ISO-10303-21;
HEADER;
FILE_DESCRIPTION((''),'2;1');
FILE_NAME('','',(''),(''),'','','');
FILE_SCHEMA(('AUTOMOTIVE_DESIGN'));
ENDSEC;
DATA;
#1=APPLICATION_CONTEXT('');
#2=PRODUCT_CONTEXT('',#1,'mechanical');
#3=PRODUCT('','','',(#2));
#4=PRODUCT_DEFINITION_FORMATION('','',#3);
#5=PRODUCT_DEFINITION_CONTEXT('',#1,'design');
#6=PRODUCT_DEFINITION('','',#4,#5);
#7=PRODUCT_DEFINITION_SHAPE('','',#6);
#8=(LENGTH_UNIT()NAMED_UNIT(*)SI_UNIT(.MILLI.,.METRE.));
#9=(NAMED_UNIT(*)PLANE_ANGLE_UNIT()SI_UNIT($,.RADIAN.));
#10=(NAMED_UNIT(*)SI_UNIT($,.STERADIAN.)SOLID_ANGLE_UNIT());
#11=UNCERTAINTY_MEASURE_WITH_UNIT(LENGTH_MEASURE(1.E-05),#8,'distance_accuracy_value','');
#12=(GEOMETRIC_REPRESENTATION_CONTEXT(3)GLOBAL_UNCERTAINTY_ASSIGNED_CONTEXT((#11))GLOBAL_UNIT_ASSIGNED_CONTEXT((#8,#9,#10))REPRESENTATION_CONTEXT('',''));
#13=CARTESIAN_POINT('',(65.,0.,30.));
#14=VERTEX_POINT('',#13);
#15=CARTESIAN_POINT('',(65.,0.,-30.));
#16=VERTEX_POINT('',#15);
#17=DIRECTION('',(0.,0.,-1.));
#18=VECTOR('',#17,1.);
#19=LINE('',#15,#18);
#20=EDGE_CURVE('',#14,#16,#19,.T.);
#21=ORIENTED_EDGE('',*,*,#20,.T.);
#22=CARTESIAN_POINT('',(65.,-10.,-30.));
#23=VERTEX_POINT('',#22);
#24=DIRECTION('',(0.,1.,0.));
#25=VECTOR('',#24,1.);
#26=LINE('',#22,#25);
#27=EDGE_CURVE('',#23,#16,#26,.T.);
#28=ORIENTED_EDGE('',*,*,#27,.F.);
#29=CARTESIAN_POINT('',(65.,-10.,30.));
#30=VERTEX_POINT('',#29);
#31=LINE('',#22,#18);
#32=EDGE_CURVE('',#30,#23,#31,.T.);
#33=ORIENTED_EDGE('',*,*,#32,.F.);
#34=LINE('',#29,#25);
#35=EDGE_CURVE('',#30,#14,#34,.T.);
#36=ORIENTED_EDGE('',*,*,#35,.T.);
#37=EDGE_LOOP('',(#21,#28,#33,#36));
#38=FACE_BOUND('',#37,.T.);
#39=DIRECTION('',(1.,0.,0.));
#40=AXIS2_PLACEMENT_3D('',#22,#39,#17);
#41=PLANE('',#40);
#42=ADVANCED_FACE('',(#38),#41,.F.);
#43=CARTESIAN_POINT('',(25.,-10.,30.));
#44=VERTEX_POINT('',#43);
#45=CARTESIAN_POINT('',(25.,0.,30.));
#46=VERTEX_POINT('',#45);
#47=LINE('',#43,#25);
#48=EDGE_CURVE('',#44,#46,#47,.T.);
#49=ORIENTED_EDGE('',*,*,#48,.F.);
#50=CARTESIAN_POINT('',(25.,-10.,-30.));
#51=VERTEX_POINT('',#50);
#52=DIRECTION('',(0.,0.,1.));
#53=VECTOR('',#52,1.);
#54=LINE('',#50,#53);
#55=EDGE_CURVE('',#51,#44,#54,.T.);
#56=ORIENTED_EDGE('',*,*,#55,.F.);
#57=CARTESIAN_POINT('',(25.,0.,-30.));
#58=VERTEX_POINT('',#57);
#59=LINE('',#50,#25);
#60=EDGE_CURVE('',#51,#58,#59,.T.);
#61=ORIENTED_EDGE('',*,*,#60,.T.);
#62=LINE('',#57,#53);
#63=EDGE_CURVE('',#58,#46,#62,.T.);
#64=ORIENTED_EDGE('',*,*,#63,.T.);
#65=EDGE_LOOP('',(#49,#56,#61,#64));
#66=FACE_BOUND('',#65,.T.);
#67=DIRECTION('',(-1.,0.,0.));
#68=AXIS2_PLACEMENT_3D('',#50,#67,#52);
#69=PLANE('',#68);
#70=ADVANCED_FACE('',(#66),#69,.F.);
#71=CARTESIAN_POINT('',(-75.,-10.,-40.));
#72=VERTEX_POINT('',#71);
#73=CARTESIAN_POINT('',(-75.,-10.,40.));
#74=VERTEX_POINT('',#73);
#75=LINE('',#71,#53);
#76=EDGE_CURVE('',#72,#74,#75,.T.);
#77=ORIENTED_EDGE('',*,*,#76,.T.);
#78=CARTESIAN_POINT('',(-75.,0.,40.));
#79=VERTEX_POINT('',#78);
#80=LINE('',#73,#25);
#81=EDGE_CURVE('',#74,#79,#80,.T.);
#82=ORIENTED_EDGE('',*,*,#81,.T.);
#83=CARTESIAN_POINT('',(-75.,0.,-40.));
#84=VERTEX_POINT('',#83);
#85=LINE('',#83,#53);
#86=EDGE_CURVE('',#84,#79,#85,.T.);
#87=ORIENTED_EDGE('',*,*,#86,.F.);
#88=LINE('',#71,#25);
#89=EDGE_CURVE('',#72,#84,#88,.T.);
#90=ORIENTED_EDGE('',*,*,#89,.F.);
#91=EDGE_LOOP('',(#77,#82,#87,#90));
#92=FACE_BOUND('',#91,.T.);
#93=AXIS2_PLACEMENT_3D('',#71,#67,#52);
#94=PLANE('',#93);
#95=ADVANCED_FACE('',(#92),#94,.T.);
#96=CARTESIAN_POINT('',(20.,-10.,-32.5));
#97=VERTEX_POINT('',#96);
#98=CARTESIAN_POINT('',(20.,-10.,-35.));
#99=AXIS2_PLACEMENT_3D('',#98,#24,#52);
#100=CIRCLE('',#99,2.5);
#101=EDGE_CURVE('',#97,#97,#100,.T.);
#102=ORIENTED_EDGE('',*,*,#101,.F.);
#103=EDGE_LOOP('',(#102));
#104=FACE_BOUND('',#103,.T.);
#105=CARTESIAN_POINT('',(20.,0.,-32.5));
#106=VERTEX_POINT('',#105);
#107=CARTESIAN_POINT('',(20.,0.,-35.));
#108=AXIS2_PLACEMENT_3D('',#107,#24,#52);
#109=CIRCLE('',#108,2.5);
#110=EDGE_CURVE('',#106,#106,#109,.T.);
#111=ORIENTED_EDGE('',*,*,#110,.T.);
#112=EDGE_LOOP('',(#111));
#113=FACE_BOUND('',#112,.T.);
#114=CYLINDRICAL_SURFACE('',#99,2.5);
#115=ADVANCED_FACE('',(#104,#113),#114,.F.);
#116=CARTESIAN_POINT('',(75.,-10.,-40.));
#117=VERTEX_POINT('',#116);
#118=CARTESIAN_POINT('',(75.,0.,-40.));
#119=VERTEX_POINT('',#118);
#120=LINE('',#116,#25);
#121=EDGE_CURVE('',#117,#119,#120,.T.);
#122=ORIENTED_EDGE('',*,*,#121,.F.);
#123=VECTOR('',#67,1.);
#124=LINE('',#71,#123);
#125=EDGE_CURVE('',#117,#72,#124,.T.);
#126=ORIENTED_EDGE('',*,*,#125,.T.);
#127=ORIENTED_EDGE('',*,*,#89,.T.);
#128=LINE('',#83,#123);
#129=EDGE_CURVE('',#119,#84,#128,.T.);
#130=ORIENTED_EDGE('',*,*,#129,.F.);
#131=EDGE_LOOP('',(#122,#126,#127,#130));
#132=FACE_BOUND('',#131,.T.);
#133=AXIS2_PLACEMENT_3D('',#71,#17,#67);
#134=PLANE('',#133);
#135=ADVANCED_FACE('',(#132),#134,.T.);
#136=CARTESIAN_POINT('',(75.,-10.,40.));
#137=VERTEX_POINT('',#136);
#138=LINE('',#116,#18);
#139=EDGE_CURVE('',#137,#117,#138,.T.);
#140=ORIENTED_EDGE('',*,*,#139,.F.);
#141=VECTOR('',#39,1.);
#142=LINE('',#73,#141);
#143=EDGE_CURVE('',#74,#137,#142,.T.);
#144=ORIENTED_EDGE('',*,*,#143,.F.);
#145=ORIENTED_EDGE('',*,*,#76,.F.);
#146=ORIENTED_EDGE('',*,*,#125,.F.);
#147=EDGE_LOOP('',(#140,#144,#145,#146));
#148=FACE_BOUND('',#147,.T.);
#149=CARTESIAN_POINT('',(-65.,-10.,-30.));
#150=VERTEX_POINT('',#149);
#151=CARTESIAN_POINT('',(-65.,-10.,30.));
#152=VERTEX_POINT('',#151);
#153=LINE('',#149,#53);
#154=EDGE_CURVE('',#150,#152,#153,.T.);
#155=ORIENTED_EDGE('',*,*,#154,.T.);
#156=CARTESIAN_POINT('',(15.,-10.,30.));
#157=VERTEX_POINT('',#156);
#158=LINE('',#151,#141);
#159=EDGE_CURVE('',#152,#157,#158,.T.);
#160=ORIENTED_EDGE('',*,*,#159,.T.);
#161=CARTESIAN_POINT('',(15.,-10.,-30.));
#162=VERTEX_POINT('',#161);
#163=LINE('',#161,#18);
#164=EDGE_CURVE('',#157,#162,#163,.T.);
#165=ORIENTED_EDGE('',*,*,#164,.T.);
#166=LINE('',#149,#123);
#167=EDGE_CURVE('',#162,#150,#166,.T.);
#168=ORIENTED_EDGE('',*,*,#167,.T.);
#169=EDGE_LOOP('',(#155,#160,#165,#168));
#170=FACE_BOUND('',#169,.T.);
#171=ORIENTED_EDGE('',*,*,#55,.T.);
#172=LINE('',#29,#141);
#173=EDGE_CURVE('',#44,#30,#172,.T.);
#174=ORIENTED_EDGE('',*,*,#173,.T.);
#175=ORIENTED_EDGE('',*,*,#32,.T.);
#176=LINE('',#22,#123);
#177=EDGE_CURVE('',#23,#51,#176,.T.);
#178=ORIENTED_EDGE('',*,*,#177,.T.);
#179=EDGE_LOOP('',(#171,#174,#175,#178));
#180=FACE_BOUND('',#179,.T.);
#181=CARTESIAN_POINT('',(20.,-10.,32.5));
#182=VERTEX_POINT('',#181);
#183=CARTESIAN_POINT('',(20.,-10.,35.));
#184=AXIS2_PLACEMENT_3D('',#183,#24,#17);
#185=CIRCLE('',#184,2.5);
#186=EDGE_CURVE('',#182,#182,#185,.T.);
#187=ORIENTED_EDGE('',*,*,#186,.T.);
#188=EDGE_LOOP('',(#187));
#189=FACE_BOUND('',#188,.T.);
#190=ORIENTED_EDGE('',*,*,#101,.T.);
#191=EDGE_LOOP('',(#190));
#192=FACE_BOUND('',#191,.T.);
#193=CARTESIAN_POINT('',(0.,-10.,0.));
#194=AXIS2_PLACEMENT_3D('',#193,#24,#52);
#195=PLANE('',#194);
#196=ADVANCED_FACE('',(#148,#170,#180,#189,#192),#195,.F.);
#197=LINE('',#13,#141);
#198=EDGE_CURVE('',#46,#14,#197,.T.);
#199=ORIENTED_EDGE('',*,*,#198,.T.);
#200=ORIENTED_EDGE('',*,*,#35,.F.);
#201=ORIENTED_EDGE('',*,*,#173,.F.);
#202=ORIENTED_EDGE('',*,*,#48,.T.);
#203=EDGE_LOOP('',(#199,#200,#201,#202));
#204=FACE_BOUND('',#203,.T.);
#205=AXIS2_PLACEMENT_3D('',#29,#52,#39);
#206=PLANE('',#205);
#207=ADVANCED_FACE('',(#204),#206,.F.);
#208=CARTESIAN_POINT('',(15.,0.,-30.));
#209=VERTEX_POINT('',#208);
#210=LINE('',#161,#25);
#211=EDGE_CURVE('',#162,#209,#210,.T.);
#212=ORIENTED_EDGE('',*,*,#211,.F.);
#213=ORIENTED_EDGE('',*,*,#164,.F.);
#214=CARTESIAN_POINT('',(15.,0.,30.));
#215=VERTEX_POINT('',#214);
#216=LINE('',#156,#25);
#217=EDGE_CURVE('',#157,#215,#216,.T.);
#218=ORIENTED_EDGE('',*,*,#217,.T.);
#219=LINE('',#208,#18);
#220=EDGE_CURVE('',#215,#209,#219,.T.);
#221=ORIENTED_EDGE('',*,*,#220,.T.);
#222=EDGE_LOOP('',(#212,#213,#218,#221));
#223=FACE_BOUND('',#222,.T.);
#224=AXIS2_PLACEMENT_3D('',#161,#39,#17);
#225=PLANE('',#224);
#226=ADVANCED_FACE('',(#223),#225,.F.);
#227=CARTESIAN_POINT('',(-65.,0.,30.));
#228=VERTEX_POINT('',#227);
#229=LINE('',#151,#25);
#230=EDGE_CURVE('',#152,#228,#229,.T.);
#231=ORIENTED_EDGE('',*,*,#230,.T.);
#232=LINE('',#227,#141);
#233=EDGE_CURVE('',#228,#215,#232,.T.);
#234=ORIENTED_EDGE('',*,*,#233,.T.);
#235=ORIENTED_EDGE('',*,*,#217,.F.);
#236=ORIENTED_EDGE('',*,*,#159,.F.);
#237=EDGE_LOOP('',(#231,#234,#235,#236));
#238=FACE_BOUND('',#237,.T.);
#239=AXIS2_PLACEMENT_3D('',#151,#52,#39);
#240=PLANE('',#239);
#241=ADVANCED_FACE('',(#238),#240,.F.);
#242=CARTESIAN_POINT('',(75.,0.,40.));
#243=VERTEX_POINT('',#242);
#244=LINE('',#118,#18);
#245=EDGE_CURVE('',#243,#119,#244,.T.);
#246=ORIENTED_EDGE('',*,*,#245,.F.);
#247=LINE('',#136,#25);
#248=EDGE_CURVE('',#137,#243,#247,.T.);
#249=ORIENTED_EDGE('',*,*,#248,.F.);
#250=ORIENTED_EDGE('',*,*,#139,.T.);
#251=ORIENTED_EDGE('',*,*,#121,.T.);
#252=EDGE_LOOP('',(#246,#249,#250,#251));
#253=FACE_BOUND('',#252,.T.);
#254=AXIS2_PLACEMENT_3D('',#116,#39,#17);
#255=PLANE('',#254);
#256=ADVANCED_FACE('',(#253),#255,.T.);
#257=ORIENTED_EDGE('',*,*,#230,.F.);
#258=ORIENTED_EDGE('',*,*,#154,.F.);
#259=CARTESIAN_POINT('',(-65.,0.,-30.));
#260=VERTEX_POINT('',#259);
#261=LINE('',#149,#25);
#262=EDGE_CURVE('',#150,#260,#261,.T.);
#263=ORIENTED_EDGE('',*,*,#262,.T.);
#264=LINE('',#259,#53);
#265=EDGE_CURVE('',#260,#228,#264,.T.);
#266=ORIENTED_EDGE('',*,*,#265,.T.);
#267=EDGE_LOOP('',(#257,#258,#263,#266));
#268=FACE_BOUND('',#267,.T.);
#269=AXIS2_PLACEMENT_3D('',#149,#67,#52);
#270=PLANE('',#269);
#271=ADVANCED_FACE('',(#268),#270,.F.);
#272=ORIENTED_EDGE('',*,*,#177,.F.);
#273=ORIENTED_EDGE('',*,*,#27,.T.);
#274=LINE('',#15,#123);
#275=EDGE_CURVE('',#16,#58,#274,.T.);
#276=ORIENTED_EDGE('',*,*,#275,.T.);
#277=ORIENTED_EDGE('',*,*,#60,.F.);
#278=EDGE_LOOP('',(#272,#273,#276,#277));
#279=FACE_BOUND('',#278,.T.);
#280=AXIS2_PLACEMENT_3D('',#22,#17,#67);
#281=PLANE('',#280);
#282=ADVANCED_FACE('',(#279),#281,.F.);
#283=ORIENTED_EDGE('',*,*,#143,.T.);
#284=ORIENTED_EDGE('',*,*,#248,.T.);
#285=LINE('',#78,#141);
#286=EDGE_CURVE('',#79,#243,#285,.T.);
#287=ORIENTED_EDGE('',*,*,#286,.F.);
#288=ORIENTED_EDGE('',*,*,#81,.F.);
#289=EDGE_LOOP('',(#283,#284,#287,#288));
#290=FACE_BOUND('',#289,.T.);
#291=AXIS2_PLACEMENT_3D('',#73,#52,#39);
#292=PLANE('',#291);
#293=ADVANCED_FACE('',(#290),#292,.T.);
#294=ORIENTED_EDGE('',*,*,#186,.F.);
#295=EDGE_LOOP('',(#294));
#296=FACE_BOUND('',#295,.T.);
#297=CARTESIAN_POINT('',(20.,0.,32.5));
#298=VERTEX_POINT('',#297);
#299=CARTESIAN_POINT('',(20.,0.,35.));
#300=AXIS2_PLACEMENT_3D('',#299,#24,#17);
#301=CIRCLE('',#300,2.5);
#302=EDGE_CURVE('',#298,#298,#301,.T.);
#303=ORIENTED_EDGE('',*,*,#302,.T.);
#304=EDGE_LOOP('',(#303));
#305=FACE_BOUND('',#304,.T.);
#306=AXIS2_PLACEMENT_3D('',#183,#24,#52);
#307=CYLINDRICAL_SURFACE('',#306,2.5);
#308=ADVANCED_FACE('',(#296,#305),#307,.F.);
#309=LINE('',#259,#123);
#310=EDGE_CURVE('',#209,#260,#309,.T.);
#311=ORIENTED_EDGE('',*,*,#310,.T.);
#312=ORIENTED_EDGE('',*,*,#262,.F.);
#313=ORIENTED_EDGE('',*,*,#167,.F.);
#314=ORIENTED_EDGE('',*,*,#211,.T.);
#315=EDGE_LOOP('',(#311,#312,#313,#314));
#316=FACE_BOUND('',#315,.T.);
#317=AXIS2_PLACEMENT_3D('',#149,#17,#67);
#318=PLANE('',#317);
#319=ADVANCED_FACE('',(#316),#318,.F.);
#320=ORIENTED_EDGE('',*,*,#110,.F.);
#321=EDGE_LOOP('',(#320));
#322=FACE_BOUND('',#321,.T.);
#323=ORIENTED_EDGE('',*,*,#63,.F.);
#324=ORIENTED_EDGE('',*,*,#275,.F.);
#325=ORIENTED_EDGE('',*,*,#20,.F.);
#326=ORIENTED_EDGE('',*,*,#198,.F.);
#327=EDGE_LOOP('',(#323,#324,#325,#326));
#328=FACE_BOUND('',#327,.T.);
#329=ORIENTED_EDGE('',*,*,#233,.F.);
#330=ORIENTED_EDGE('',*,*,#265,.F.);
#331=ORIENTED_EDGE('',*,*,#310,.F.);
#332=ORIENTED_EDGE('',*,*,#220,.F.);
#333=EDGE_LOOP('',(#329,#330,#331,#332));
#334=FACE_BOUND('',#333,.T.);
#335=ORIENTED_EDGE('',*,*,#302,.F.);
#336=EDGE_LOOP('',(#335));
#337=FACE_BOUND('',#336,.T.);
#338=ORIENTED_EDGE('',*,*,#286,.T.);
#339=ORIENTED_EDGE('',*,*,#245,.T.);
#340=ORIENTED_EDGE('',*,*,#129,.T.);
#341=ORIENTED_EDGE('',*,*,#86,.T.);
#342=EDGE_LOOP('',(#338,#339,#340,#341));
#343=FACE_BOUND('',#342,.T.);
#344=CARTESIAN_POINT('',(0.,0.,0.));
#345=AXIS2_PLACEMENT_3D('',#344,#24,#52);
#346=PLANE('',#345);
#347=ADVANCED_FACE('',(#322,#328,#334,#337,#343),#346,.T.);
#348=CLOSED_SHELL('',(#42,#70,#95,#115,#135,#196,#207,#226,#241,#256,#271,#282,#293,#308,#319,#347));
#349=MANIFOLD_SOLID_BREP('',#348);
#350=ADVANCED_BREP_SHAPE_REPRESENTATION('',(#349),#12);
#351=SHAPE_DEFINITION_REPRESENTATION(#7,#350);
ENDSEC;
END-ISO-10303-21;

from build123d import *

# Parameters (mm, degrees)
SKETCH1_W           = 150
SKETCH1_H           = 80
BOSS_EXTRUDE1_DEPTH = 10
SKETCH2_W           = 80
SKETCH2_H           = 60
SKETCH2_W_2         = 40
CUT_EXTRUDE1_DEPTH  = 10
SKETCH3_R           = 2.5
CUT_EXTRUDE2_DEPTH  = 86.586213843


with BuildPart() as part:
    # Sketch1 → Boss-Extrude1 (new body)
    with BuildSketch(Plane(origin=(0, 0, 0), x_dir=(1, 0, 0), z_dir=(0, 1, 0))):
        Rectangle(SKETCH1_W, SKETCH1_H)
    extrude(amount=-BOSS_EXTRUDE1_DEPTH)

    # Sketch2 → Cut-Extrude1 (cut)
    with BuildSketch(Plane(origin=(0, 0, 0), x_dir=(1, 0, 0), z_dir=(0, 1, 0))):
        with Locations((-25, 0)):
            Rectangle(SKETCH2_W, SKETCH2_H)
        with Locations((45, 0)):
            Rectangle(SKETCH2_W_2, SKETCH2_H)
    extrude(amount=-CUT_EXTRUDE1_DEPTH, mode=Mode.SUBTRACT)

    # Sketch3 → Cut-Extrude2 (cut, through all)
    with BuildSketch(Plane(origin=(0, 0, 0), x_dir=(1, 0, 0), z_dir=(0, 1, 0))):
        with Locations(Location((20, 35, 0), (0, 0, 270))):
            Circle(SKETCH3_R)
        with Locations(Location((20, -35, 0), (0, 0, 90))):
            Circle(SKETCH3_R)
    extrude(amount=-CUT_EXTRUDE2_DEPTH, mode=Mode.SUBTRACT)


solid = part.part
